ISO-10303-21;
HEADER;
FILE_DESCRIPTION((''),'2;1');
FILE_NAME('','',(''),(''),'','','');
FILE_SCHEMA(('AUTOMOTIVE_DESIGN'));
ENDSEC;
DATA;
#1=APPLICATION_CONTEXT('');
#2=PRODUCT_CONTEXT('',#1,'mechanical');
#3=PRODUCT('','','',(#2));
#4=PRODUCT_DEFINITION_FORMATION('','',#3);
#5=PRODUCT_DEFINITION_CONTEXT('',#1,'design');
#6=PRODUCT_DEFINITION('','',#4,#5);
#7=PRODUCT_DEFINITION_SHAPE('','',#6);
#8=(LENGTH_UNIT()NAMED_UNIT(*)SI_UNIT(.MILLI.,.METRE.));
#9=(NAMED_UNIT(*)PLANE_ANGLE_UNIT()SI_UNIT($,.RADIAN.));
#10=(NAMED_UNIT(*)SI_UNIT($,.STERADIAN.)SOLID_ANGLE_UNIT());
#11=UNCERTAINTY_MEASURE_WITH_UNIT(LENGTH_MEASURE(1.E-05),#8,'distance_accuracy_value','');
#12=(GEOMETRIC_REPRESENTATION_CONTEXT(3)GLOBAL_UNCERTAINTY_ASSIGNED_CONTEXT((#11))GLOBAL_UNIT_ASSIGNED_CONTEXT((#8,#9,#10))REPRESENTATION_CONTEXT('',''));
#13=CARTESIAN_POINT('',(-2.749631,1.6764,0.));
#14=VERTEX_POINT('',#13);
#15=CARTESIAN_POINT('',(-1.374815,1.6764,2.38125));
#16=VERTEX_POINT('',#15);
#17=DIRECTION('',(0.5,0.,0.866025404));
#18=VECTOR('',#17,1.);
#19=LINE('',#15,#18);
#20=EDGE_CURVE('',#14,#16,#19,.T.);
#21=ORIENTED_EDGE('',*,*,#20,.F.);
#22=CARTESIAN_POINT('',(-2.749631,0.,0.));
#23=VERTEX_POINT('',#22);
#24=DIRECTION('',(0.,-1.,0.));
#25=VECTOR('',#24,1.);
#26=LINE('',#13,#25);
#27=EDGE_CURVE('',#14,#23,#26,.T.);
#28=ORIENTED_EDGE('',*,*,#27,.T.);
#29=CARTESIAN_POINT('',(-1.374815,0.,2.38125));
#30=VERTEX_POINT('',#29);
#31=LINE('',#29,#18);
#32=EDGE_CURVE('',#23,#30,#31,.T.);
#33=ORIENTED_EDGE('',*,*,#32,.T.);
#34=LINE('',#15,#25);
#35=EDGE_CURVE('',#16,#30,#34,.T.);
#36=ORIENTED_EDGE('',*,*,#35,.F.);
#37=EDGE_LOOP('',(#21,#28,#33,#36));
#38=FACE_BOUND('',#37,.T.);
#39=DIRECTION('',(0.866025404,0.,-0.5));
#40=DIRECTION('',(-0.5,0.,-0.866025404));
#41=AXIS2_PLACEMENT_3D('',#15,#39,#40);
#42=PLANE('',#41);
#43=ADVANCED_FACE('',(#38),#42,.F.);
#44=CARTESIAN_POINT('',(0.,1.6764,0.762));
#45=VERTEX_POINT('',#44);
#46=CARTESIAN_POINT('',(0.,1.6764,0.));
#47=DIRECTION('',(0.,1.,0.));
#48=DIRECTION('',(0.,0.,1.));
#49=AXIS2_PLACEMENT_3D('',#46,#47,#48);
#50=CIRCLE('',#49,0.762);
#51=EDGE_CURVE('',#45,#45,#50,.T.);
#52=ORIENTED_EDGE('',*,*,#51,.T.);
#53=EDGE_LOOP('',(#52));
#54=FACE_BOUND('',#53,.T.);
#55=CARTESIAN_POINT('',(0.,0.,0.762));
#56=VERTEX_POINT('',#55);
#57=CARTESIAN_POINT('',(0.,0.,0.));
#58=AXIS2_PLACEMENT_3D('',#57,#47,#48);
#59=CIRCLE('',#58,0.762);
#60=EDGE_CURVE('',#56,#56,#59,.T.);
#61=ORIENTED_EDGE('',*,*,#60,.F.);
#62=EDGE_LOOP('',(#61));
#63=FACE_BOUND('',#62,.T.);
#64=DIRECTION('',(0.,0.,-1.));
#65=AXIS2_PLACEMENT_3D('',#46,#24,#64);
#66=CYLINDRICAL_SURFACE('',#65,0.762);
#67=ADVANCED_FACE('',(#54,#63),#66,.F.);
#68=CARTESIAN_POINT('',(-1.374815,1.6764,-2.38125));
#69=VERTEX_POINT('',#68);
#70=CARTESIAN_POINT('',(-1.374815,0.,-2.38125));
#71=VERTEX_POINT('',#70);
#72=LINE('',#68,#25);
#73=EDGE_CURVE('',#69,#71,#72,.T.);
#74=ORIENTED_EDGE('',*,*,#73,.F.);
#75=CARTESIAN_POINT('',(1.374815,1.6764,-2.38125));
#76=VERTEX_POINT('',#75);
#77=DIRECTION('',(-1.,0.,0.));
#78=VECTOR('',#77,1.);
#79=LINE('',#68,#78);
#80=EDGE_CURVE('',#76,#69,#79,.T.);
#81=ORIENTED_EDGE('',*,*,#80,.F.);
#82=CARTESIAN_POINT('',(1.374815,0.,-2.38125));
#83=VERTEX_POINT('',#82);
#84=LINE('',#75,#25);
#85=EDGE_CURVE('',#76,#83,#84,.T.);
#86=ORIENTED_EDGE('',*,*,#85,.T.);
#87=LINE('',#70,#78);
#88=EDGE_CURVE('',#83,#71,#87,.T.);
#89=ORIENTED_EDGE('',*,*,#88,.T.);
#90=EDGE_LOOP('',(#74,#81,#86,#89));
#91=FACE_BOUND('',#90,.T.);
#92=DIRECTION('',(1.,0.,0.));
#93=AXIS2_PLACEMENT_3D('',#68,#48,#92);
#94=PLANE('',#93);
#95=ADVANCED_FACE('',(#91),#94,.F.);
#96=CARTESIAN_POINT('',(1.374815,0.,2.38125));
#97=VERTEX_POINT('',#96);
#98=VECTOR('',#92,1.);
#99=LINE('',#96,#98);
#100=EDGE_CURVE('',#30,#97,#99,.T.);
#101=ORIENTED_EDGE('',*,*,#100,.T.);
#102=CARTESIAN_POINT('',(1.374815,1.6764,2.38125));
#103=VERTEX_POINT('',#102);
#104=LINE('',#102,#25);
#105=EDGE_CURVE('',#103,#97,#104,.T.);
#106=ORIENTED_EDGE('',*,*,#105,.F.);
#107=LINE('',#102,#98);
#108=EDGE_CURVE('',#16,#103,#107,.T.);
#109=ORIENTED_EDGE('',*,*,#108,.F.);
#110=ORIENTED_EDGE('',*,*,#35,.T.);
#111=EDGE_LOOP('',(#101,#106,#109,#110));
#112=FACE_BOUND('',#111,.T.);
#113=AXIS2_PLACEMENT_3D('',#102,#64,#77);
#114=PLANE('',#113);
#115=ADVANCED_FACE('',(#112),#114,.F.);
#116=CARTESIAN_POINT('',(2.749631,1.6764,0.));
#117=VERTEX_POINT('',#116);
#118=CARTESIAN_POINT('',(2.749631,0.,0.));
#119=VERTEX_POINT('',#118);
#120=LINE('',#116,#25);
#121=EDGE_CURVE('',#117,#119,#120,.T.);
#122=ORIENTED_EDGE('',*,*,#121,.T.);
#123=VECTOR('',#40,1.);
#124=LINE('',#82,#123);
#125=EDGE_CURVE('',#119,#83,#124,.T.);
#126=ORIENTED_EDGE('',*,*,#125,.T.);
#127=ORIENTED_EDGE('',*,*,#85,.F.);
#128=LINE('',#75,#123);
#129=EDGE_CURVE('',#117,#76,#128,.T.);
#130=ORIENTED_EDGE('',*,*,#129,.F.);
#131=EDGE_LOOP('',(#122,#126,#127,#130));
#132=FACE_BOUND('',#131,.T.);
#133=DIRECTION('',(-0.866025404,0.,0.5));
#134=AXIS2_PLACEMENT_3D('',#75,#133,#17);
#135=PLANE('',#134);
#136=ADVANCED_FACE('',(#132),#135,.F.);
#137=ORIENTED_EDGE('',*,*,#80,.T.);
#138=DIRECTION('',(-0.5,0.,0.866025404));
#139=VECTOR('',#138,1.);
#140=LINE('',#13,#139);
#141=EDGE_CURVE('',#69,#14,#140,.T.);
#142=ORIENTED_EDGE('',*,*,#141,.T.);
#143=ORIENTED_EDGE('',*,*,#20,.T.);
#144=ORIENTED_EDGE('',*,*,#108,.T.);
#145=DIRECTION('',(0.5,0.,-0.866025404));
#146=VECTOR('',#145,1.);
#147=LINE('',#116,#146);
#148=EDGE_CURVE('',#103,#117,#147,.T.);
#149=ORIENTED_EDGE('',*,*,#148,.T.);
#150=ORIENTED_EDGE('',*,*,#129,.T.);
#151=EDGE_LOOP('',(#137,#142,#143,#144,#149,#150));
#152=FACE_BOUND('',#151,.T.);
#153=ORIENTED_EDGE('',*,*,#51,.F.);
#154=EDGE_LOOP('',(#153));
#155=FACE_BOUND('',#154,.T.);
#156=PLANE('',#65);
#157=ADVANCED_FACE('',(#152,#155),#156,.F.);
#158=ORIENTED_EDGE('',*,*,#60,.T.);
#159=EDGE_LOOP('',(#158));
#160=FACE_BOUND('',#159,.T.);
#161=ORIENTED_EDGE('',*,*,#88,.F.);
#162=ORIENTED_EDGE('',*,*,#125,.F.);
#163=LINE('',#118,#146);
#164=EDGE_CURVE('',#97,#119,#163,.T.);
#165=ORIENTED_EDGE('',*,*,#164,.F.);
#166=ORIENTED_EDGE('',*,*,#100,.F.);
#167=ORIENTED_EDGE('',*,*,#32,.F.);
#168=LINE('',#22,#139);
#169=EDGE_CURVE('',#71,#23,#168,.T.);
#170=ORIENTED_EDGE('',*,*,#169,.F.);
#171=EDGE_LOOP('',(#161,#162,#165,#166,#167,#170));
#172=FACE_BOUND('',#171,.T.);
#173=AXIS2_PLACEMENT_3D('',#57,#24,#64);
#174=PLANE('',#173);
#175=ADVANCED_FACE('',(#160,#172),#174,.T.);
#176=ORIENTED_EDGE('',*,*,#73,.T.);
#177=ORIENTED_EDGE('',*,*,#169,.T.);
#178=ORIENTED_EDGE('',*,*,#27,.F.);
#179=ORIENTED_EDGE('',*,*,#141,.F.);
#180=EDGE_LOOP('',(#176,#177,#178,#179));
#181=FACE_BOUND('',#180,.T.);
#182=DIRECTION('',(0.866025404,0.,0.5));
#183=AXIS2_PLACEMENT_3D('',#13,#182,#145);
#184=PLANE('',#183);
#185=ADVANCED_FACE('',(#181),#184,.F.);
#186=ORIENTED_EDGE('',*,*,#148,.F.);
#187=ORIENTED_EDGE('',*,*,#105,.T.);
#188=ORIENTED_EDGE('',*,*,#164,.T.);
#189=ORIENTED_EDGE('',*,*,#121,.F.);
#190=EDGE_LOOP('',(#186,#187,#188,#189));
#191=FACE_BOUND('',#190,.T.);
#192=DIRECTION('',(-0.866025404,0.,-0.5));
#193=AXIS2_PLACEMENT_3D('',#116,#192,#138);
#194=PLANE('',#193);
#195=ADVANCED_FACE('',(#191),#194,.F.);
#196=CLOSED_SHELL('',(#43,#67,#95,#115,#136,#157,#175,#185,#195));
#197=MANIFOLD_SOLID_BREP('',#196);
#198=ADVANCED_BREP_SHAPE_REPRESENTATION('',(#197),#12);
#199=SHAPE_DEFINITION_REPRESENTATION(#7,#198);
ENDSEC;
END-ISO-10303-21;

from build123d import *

# Parameters (mm, degrees)
SKETCH1_R           = 0.762
BOSS_EXTRUDE1_DEPTH = 1.6764


with BuildPart() as part:
    # Sketch1 → Boss-Extrude1 (new body)
    with BuildSketch(Plane(origin=(0, 0, 0), x_dir=(1, 0, 0), z_dir=(0, 1, 0))):
        Polygon((-1.374815329, 2.38125), (1.374815329, 2.38125), (2.749630657, 0), (1.374815329, -2.38125), (-1.374815329, -2.38125), (-2.749630657, 0), align=None)
        with Locations(Location((0, 0, 0), (0, 0, 270))):  # turned: the seam where the file's is
            Circle(SKETCH1_R, mode=Mode.SUBTRACT)
    extrude(amount=BOSS_EXTRUDE1_DEPTH)


solid = part.part
